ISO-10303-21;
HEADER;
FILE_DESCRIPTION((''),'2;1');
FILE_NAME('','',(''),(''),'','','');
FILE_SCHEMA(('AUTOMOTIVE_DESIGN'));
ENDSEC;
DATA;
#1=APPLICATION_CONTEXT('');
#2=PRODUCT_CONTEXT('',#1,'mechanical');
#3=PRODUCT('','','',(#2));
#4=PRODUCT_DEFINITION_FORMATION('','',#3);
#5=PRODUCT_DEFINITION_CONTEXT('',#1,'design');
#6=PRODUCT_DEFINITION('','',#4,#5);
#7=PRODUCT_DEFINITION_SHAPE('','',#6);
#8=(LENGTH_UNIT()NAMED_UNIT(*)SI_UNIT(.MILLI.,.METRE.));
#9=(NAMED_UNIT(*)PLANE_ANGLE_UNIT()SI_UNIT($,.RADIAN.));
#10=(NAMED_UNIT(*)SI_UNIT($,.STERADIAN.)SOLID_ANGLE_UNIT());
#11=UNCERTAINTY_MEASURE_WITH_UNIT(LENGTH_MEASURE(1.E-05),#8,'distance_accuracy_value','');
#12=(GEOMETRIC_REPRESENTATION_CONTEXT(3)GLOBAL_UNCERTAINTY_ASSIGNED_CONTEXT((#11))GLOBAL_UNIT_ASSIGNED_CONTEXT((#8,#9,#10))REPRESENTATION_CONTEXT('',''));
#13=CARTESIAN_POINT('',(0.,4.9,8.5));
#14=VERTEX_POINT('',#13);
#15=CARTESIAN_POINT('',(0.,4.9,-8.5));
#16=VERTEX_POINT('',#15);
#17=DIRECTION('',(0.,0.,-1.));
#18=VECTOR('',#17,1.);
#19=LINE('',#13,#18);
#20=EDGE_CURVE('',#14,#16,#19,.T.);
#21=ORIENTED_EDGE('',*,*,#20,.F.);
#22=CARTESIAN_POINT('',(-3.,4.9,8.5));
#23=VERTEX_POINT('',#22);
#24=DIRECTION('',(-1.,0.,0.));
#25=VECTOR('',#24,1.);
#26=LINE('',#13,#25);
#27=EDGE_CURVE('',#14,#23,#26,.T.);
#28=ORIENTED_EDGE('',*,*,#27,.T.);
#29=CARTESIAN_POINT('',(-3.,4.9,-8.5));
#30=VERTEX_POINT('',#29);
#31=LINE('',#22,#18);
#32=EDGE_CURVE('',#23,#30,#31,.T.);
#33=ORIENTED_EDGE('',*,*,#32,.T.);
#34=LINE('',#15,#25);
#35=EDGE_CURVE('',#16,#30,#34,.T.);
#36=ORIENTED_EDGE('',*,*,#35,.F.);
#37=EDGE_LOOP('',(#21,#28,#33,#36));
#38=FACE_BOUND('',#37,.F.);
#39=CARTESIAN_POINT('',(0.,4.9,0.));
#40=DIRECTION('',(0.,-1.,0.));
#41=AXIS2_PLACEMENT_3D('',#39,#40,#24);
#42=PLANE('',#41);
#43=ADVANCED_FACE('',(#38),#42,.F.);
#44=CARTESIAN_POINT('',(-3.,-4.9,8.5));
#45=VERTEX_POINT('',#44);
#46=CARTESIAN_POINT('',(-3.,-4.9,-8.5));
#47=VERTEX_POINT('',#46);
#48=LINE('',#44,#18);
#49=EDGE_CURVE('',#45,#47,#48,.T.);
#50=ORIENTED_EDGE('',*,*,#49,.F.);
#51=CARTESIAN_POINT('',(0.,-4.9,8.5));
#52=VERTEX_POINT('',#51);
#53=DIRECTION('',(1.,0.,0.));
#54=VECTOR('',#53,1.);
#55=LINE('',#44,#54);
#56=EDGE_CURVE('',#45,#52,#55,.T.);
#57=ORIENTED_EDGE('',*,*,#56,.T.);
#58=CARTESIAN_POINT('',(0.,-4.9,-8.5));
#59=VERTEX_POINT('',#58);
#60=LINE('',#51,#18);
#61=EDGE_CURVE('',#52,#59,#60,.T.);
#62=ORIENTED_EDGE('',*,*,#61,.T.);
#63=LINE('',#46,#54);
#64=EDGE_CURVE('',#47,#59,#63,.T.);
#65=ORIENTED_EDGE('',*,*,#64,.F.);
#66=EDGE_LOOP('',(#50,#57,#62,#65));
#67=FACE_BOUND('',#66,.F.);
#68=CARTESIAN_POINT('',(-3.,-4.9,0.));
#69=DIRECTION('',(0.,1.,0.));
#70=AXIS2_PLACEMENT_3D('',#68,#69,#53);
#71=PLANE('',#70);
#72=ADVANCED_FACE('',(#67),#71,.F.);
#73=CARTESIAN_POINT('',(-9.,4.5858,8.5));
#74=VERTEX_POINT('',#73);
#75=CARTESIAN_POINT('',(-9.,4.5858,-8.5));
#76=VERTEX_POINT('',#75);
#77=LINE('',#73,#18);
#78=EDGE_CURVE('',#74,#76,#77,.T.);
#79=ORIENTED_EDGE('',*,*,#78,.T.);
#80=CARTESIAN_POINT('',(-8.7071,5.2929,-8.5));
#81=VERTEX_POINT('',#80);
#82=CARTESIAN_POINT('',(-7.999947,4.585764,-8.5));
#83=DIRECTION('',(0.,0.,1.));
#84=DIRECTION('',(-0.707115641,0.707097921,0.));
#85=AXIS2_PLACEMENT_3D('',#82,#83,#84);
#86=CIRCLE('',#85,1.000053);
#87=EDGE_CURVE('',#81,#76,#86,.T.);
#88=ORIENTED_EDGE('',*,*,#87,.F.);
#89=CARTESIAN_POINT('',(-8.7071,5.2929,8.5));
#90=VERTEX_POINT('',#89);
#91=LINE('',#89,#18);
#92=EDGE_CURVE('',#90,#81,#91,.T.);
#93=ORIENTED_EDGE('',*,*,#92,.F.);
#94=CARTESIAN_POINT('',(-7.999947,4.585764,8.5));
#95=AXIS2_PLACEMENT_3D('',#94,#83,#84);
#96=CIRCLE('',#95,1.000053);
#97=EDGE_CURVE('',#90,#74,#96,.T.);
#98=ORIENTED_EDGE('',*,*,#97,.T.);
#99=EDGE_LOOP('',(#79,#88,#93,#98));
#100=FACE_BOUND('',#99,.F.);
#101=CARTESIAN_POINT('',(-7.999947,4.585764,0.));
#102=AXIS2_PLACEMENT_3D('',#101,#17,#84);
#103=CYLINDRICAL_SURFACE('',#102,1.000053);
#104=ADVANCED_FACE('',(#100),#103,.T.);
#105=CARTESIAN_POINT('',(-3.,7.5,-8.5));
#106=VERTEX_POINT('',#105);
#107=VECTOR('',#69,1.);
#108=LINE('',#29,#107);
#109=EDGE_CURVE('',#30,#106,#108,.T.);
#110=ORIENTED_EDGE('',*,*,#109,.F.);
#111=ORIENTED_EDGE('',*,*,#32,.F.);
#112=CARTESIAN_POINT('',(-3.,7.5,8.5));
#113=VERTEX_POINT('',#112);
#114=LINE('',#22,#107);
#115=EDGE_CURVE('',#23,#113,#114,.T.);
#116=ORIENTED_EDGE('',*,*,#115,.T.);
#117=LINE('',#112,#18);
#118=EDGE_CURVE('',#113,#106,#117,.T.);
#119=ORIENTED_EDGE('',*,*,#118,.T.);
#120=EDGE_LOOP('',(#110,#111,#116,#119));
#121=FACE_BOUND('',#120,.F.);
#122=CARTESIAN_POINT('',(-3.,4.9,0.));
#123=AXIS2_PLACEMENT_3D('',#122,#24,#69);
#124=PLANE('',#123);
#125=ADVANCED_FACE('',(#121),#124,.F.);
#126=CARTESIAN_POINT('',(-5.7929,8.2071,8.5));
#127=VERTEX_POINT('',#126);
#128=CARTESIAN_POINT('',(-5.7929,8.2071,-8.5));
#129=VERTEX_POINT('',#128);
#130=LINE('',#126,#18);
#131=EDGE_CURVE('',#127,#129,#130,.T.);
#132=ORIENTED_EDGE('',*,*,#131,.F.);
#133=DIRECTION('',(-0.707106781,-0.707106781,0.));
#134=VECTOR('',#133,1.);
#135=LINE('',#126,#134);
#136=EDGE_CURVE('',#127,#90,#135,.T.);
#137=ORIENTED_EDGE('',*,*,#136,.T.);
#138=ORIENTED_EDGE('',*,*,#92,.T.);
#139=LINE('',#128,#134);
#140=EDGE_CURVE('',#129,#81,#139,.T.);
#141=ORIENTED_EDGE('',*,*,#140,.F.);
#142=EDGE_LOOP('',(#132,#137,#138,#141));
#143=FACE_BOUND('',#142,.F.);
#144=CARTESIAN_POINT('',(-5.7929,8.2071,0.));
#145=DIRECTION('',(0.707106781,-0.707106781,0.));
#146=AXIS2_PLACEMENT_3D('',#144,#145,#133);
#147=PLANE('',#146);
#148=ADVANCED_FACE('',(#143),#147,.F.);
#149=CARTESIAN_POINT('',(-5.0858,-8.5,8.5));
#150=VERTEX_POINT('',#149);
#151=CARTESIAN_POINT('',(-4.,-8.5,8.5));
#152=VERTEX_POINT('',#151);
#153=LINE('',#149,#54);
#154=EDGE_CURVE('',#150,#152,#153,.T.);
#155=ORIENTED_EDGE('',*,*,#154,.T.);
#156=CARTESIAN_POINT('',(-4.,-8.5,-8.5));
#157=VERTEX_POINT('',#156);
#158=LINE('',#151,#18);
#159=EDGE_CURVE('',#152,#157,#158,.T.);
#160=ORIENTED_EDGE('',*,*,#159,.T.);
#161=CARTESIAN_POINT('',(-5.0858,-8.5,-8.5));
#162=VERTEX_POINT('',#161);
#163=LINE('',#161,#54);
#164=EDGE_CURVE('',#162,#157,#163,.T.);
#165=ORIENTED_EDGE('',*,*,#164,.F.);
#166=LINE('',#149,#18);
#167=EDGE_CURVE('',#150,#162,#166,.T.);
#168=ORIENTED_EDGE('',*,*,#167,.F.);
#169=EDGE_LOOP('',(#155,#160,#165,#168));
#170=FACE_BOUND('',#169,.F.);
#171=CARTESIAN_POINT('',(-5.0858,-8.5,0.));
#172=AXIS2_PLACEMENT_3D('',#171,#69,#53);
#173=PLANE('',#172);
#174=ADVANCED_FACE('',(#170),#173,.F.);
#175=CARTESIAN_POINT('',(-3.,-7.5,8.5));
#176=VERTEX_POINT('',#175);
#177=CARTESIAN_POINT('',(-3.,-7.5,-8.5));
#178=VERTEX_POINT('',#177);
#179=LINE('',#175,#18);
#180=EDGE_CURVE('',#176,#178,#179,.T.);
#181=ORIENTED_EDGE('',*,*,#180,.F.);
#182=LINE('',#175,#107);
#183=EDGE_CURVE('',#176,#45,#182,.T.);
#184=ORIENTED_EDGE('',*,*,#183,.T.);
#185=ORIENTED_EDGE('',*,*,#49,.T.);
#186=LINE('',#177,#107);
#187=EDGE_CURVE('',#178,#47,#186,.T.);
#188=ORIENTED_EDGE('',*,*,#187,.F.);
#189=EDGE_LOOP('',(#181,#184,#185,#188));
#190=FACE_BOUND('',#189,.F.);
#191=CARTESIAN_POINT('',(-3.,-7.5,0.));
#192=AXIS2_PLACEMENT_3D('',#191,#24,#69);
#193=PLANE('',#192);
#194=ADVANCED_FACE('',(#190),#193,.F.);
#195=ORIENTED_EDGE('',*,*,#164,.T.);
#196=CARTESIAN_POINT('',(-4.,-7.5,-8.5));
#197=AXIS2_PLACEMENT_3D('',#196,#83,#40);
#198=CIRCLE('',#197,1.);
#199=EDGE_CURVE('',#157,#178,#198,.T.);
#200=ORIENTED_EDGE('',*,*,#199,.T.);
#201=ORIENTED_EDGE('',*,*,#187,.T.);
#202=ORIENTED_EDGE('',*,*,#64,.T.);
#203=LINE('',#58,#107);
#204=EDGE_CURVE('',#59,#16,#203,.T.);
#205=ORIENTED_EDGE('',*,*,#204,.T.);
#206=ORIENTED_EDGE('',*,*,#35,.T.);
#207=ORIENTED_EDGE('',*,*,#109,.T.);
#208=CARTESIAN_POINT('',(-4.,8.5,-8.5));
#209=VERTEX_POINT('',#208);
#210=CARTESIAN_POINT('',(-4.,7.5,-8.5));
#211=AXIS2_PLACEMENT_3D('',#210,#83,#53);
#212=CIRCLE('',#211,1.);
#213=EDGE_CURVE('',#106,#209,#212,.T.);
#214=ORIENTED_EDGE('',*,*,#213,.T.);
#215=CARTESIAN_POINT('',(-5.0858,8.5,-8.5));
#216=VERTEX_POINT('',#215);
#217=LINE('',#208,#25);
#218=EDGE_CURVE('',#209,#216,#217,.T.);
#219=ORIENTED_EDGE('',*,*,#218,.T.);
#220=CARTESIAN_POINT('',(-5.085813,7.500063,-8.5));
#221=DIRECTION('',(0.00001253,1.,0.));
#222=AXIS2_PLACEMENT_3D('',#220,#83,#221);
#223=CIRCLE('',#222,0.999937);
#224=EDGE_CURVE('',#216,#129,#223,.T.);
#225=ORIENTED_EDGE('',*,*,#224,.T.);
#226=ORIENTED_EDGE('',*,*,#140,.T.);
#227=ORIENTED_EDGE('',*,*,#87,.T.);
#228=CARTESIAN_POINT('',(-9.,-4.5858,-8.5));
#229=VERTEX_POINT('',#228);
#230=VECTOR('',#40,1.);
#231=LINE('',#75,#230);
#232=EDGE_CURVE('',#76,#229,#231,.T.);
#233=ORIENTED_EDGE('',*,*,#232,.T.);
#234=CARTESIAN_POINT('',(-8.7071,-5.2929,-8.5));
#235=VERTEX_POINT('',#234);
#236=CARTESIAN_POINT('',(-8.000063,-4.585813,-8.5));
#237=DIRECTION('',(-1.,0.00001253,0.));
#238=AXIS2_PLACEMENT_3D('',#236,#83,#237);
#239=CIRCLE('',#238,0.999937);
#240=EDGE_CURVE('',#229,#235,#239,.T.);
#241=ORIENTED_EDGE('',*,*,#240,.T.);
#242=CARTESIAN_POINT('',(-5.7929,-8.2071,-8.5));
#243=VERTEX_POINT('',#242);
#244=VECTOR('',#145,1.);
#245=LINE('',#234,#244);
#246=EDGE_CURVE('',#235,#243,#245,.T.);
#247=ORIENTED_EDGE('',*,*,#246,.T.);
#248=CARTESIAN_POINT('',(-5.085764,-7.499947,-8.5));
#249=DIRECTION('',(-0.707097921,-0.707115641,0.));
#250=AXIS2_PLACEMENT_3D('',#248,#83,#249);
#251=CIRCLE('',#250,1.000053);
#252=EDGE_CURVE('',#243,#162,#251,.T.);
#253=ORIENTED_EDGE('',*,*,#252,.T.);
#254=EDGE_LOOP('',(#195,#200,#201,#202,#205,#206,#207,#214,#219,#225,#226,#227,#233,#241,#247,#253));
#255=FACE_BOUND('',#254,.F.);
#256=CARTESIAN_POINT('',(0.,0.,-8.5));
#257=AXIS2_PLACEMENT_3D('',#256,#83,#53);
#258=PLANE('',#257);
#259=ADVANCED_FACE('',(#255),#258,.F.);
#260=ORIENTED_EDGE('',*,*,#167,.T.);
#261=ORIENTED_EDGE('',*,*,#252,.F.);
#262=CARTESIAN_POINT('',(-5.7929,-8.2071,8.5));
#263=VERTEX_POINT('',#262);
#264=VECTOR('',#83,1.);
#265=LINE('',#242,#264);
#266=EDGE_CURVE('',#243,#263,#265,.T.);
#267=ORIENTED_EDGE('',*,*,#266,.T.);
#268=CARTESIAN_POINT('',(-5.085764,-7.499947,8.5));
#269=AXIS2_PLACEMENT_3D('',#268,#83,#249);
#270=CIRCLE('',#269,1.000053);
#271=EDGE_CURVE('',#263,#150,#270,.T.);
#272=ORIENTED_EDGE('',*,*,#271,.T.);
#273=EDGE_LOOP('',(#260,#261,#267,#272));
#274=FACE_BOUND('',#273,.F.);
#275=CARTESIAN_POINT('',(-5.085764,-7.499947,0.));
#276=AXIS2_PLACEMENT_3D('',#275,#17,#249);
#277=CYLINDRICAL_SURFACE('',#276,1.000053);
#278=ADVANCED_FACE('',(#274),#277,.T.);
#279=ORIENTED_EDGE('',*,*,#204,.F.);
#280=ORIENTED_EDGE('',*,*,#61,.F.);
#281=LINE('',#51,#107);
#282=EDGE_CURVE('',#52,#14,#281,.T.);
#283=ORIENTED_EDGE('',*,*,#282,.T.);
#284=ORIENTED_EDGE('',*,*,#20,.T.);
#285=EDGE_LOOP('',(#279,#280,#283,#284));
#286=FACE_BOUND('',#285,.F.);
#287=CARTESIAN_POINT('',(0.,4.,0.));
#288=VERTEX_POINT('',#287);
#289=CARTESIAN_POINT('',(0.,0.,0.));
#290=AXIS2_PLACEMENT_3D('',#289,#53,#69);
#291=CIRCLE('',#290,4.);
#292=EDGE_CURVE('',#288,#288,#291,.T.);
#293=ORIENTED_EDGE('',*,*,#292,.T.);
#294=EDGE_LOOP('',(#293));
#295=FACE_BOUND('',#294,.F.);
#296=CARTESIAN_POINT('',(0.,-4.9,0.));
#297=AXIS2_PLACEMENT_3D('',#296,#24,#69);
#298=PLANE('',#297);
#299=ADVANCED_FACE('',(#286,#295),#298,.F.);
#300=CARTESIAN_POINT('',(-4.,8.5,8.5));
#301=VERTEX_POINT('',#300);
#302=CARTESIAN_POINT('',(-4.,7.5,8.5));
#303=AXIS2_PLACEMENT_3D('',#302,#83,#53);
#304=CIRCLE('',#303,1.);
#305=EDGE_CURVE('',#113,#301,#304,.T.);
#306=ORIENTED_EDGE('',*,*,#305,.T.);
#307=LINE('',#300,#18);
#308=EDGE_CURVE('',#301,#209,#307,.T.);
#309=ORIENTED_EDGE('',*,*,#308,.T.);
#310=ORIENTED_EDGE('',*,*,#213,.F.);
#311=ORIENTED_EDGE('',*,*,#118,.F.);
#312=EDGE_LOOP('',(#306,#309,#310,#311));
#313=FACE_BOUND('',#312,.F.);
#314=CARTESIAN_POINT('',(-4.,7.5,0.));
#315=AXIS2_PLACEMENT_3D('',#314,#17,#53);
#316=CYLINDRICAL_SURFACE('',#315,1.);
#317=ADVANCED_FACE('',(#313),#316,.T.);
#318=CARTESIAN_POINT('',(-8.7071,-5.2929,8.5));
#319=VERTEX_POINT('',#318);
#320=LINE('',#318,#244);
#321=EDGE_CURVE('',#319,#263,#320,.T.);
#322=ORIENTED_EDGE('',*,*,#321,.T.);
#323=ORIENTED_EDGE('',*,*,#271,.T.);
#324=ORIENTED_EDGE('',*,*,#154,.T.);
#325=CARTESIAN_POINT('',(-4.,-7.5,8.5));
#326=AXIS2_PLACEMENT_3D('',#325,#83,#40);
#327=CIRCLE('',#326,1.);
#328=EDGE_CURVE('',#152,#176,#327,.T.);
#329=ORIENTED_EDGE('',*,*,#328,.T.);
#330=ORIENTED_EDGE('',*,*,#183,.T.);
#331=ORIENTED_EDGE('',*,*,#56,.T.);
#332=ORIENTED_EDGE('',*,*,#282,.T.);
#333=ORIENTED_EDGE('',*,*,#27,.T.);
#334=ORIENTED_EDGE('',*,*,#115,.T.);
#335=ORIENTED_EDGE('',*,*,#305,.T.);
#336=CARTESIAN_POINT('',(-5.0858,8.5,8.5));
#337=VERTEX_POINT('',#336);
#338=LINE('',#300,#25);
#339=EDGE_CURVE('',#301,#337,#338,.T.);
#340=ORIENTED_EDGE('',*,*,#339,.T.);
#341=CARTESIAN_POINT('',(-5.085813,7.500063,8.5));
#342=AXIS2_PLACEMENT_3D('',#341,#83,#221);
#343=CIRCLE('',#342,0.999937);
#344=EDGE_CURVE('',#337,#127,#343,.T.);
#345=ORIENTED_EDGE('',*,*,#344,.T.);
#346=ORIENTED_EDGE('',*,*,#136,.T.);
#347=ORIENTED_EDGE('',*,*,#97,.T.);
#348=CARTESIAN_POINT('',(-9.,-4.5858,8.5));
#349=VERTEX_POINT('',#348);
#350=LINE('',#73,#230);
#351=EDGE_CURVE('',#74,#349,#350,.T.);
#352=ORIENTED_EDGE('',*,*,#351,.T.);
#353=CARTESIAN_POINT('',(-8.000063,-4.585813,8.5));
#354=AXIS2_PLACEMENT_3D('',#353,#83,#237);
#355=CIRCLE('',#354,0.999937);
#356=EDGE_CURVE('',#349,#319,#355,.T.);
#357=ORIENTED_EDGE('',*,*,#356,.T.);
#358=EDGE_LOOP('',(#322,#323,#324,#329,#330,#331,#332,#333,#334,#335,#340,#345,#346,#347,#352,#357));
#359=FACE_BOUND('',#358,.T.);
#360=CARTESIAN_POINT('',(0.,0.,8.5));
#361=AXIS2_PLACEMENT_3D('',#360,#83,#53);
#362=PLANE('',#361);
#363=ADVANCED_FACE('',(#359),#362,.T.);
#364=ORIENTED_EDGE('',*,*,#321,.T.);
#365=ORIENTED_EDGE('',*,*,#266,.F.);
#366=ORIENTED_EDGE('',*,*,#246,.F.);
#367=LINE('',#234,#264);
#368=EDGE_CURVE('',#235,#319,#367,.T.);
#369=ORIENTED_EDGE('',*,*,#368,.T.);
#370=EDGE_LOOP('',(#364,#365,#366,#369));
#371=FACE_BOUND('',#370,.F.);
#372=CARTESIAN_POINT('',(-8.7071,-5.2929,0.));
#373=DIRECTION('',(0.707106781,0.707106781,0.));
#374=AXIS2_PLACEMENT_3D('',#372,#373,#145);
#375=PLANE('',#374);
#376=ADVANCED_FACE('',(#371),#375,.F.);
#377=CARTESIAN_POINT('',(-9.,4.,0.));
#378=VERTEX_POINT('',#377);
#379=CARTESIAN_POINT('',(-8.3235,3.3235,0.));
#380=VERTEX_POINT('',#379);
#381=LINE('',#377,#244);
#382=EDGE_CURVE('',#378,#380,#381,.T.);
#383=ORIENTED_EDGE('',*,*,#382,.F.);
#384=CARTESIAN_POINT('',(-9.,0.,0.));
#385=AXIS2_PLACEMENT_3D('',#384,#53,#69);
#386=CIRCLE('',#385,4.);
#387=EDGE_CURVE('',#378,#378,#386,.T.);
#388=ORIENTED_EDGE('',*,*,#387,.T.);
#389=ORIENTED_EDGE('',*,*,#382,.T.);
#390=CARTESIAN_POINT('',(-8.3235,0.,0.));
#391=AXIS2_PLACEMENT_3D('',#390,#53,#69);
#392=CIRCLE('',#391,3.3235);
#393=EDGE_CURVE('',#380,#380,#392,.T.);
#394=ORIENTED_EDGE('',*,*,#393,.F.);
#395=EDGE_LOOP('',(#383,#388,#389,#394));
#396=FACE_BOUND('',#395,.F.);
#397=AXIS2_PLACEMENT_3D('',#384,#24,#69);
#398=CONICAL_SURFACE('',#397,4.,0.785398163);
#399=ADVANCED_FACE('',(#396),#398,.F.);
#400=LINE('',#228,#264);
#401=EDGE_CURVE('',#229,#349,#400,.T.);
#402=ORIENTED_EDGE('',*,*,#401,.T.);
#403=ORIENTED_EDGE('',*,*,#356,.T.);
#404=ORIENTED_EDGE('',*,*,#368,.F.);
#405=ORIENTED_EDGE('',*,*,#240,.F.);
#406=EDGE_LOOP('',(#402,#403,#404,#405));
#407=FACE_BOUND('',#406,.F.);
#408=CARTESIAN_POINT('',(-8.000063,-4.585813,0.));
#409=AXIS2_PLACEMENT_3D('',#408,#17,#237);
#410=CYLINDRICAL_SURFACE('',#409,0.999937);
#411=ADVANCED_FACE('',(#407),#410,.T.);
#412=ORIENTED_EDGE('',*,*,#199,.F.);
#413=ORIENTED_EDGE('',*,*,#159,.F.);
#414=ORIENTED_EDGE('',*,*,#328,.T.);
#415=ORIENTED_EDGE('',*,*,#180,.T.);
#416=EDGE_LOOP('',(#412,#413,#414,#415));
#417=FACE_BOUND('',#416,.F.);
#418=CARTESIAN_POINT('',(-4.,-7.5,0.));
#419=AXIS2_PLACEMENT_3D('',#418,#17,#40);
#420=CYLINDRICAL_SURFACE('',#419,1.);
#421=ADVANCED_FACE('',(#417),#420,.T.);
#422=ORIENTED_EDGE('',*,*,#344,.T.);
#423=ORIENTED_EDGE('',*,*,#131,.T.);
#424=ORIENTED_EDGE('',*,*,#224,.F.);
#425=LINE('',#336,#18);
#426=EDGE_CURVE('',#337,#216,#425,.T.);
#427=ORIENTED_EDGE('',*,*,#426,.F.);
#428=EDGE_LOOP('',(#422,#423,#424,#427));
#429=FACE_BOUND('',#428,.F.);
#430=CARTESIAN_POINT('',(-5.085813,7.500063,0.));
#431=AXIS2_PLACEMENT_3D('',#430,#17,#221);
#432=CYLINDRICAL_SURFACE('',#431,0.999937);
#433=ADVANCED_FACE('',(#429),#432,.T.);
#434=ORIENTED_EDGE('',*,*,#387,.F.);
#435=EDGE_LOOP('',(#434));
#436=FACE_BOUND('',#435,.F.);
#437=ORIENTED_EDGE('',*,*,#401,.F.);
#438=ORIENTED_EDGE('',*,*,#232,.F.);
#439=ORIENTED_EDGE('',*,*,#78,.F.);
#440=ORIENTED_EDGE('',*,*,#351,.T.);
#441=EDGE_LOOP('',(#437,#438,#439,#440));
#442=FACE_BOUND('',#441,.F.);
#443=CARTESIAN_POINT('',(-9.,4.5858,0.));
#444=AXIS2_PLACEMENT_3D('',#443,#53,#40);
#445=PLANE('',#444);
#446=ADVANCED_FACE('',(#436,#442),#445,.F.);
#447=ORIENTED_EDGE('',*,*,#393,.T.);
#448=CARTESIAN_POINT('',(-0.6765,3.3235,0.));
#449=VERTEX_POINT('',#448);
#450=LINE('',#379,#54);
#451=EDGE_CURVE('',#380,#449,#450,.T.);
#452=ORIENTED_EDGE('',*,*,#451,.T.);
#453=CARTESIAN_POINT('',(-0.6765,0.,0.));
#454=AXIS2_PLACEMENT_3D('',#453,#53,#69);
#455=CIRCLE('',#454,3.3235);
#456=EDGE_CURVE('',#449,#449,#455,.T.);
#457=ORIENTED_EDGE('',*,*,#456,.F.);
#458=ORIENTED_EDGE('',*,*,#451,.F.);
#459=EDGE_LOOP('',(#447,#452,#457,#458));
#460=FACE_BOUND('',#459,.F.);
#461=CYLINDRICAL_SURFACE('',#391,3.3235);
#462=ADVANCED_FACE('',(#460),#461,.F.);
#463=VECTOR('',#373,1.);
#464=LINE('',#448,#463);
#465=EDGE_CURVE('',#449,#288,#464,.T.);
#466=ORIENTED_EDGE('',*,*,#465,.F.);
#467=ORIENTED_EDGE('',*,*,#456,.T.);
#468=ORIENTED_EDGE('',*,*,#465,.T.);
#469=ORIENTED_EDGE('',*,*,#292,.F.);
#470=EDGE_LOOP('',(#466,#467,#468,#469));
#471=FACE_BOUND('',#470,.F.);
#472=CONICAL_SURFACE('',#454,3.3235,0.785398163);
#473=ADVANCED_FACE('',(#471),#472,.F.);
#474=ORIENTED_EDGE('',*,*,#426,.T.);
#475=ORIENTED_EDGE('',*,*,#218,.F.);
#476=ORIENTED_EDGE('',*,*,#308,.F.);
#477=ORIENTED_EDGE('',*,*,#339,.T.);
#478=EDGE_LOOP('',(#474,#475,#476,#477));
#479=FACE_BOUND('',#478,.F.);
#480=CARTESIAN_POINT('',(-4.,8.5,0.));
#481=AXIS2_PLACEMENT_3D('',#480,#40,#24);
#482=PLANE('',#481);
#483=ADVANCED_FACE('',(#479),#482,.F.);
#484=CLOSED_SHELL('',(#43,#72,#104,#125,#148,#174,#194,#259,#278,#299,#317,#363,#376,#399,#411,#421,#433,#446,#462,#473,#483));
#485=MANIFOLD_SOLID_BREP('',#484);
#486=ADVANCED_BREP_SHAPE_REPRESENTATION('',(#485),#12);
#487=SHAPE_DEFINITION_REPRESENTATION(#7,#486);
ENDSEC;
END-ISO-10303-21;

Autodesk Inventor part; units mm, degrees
sketch "Sketch_1" plane through (0, 0, 0) normal (0, 0, 1) x (1, 0, 0)
  arc A0 (-9, -4.5858) -> (-8.7071, -5.2929) centre (-8, -4.5858) ccw
  line L0 (-8.7071, -5.2929) -> (-5.7929, -8.2071)
  arc A1 (-5.7929, -8.2071) -> (-5.0858, -8.5) centre (-5.0858, -7.5) ccw
  line L1 (-5.0858, -8.5) -> (-4, -8.5)
  arc A2 (-4, -8.5) -> (-3, -7.5) centre (-4, -7.5) ccw
  line L2 (-3, -7.5) -> (-3, -4.9)
  line L3 (-3, -4.9) -> (0, -4.9)
  line L4 (0, -4.9) -> (0, 4.9)
  line L5 (0, 4.9) -> (-3, 4.9)
  line L6 (-3, 4.9) -> (-3, 7.5)
  arc A3 (-3, 7.5) -> (-4, 8.5) centre (-4, 7.5) ccw
  line L7 (-4, 8.5) -> (-5.0858, 8.5)
  arc A4 (-5.0858, 8.5) -> (-5.7929, 8.2071) centre (-5.0858, 7.5) ccw
  line L8 (-5.7929, 8.2071) -> (-8.7071, 5.2929)
  arc A5 (-8.7071, 5.2929) -> (-9, 4.5858) centre (-8, 4.5858) ccw
  line L9 (-9, 4.5858) -> (-9, -4.5858)
extrude "Extrusion1" add sketch "Sketch_1" along normal mid plane 17
sketch "Sketch_5" plane through (0, 0, 0) normal (0, 0, 1) x (1, 0, 0)
  line L0 (0, 0) -> (-9, 0)
  line L1 (-9, 0) -> (-9, 4)
  line L2 (-9, 4) -> (-8.3235, 3.3235)
  line L3 (-8.3235, 3.3235) -> (-0.6765, 3.3235)
  line L4 (-0.6765, 3.3235) -> (0, 4)
  line L5 (0, 4) -> (0, 0)
  line L6 (0, 0) -> (-9, 0)
revolve "Revolution1" cut sketch "Sketch_5" angle 360 about axis through (0, 0, 0) along (1, 0, 0)
thread "Thread1" size "M8x1.25" class "6H" standard "ISO Metric profile" full length
ref_plane "nut_XY" through (0, 0, 0) normal (1, 0, 0) x (0, 0, -1)
ref_plane "nut_YZ" through (0, 0, 0) normal (0, 0, -1) x (0, 1, 0)
ref_plane "nut_ZX" through (0, 0, 0) normal (0, 1, 0) x (1, 0, 0)
ref_plane "to_bolt_XY" through (-9, 0, 0) normal (1, 0, 0) x (0, 0, -1)
ref_plane "to_bolt_YZ" through (-9, 0, 0) normal (0, 0, -1) x (0, 1, 0)
ref_plane "to_bolt_ZX" through (-9, 0, 0) normal (0, 1, 0) x (1, 0, 0)
ref_plane "to_frames_XY" through (-3, 0, 0) normal (1, 0, 0) x (0, 0, -1)
ref_plane "to_frames_YZ" through (-3, 0, 0) normal (0, 0, -1) x (0, 1, 0)
ref_plane "to_frames_ZX" through (-3, 0, 0) normal (0, 1, 0) x (1, 0, 0)
properties part number "HNTT8-8"
